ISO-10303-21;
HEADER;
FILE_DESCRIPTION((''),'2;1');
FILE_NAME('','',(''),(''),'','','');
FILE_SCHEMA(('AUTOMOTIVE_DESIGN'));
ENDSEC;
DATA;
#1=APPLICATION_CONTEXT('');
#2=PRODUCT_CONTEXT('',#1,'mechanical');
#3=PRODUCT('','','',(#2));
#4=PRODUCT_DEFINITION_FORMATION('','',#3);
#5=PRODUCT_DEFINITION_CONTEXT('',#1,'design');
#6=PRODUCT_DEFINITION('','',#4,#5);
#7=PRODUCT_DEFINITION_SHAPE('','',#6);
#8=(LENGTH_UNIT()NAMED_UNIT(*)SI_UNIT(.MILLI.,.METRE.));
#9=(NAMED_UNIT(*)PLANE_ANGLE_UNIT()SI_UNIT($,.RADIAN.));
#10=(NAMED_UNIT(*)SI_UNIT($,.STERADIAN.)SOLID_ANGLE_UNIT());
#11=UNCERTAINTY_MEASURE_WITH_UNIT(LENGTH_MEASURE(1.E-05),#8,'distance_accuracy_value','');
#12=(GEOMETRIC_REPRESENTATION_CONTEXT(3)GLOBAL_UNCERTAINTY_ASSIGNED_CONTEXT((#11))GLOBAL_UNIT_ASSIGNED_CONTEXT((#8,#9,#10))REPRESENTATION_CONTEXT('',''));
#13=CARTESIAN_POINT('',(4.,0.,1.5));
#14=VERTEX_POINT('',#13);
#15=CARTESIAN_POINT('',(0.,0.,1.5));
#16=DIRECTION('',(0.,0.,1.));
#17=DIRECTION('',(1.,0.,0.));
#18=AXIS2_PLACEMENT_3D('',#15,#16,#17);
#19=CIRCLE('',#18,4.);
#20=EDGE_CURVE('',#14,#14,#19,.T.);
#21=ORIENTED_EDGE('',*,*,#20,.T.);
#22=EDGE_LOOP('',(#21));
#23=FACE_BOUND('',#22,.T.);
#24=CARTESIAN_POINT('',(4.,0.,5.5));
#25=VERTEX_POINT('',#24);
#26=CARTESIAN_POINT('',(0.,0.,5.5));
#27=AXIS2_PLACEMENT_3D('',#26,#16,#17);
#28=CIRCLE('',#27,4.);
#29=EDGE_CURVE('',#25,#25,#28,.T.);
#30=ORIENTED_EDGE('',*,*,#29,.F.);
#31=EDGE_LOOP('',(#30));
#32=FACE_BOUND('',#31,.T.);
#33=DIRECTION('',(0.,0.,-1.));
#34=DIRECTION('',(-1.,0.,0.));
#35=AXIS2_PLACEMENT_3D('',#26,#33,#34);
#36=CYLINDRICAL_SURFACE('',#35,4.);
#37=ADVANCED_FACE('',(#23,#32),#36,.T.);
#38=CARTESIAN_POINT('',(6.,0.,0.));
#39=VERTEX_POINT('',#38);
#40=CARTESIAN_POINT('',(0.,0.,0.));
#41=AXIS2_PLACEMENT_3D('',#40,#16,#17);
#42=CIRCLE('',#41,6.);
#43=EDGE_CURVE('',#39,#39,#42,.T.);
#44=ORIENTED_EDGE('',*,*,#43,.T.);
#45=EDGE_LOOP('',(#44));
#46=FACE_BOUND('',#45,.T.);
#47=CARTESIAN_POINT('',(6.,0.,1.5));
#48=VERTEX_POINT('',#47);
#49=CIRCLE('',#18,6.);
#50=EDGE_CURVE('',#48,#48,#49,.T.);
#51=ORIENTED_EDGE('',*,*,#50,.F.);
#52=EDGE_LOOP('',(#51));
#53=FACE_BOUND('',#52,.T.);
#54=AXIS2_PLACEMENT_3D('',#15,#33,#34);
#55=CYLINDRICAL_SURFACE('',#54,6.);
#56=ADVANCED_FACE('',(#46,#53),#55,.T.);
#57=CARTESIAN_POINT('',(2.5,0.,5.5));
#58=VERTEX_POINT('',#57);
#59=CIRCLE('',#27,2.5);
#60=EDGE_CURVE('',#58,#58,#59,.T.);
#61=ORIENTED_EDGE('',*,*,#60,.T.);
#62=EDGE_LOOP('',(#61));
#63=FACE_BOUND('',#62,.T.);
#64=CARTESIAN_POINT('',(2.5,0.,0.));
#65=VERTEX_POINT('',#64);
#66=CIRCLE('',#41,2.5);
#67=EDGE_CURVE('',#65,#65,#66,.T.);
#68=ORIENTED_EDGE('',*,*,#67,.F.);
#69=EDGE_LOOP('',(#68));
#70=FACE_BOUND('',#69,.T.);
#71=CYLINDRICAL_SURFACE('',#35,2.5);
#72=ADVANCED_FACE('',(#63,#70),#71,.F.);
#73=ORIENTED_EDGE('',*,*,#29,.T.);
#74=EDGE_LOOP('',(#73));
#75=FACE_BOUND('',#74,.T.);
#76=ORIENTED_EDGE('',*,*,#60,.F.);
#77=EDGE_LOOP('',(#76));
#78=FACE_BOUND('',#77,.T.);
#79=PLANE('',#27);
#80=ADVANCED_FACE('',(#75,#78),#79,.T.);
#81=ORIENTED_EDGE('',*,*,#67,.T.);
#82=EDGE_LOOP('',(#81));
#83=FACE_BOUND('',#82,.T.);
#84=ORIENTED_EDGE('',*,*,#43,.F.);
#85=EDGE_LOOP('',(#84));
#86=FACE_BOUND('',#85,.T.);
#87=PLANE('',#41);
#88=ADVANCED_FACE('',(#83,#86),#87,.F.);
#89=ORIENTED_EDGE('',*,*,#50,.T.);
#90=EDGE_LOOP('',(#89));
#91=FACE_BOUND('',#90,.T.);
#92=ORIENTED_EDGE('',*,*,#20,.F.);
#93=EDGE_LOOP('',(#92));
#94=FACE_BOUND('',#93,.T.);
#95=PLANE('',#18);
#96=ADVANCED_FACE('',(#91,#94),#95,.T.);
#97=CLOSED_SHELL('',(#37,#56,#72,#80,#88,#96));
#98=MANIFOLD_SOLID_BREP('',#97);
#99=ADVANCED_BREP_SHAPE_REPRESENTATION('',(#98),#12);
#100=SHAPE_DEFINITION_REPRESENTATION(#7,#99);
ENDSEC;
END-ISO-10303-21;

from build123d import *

# Parameters (mm, degrees)
SKETCH1_R           = 6
SKETCH1_R_2         = 4
BOSS_EXTRUDE1_DEPTH = 1.5
SKETCH1_3_R         = 4
SKETCH1_3_R_2       = 2.5
BOSS_EXTRUDE2_DEPTH = 5.5


with BuildPart() as part:
    # Sketch1 → Boss-Extrude1 (new body)
    with BuildSketch(Plane.XY):
        Circle(SKETCH1_R)
        Circle(SKETCH1_R_2, mode=Mode.SUBTRACT)
    extrude(amount=BOSS_EXTRUDE1_DEPTH)

    # Sketch1<3> → Boss-Extrude2 (add)
    with BuildSketch(Plane.XY):
        Circle(SKETCH1_3_R)
        Circle(SKETCH1_3_R_2, mode=Mode.SUBTRACT)
    extrude(amount=BOSS_EXTRUDE2_DEPTH)


solid = part.part
